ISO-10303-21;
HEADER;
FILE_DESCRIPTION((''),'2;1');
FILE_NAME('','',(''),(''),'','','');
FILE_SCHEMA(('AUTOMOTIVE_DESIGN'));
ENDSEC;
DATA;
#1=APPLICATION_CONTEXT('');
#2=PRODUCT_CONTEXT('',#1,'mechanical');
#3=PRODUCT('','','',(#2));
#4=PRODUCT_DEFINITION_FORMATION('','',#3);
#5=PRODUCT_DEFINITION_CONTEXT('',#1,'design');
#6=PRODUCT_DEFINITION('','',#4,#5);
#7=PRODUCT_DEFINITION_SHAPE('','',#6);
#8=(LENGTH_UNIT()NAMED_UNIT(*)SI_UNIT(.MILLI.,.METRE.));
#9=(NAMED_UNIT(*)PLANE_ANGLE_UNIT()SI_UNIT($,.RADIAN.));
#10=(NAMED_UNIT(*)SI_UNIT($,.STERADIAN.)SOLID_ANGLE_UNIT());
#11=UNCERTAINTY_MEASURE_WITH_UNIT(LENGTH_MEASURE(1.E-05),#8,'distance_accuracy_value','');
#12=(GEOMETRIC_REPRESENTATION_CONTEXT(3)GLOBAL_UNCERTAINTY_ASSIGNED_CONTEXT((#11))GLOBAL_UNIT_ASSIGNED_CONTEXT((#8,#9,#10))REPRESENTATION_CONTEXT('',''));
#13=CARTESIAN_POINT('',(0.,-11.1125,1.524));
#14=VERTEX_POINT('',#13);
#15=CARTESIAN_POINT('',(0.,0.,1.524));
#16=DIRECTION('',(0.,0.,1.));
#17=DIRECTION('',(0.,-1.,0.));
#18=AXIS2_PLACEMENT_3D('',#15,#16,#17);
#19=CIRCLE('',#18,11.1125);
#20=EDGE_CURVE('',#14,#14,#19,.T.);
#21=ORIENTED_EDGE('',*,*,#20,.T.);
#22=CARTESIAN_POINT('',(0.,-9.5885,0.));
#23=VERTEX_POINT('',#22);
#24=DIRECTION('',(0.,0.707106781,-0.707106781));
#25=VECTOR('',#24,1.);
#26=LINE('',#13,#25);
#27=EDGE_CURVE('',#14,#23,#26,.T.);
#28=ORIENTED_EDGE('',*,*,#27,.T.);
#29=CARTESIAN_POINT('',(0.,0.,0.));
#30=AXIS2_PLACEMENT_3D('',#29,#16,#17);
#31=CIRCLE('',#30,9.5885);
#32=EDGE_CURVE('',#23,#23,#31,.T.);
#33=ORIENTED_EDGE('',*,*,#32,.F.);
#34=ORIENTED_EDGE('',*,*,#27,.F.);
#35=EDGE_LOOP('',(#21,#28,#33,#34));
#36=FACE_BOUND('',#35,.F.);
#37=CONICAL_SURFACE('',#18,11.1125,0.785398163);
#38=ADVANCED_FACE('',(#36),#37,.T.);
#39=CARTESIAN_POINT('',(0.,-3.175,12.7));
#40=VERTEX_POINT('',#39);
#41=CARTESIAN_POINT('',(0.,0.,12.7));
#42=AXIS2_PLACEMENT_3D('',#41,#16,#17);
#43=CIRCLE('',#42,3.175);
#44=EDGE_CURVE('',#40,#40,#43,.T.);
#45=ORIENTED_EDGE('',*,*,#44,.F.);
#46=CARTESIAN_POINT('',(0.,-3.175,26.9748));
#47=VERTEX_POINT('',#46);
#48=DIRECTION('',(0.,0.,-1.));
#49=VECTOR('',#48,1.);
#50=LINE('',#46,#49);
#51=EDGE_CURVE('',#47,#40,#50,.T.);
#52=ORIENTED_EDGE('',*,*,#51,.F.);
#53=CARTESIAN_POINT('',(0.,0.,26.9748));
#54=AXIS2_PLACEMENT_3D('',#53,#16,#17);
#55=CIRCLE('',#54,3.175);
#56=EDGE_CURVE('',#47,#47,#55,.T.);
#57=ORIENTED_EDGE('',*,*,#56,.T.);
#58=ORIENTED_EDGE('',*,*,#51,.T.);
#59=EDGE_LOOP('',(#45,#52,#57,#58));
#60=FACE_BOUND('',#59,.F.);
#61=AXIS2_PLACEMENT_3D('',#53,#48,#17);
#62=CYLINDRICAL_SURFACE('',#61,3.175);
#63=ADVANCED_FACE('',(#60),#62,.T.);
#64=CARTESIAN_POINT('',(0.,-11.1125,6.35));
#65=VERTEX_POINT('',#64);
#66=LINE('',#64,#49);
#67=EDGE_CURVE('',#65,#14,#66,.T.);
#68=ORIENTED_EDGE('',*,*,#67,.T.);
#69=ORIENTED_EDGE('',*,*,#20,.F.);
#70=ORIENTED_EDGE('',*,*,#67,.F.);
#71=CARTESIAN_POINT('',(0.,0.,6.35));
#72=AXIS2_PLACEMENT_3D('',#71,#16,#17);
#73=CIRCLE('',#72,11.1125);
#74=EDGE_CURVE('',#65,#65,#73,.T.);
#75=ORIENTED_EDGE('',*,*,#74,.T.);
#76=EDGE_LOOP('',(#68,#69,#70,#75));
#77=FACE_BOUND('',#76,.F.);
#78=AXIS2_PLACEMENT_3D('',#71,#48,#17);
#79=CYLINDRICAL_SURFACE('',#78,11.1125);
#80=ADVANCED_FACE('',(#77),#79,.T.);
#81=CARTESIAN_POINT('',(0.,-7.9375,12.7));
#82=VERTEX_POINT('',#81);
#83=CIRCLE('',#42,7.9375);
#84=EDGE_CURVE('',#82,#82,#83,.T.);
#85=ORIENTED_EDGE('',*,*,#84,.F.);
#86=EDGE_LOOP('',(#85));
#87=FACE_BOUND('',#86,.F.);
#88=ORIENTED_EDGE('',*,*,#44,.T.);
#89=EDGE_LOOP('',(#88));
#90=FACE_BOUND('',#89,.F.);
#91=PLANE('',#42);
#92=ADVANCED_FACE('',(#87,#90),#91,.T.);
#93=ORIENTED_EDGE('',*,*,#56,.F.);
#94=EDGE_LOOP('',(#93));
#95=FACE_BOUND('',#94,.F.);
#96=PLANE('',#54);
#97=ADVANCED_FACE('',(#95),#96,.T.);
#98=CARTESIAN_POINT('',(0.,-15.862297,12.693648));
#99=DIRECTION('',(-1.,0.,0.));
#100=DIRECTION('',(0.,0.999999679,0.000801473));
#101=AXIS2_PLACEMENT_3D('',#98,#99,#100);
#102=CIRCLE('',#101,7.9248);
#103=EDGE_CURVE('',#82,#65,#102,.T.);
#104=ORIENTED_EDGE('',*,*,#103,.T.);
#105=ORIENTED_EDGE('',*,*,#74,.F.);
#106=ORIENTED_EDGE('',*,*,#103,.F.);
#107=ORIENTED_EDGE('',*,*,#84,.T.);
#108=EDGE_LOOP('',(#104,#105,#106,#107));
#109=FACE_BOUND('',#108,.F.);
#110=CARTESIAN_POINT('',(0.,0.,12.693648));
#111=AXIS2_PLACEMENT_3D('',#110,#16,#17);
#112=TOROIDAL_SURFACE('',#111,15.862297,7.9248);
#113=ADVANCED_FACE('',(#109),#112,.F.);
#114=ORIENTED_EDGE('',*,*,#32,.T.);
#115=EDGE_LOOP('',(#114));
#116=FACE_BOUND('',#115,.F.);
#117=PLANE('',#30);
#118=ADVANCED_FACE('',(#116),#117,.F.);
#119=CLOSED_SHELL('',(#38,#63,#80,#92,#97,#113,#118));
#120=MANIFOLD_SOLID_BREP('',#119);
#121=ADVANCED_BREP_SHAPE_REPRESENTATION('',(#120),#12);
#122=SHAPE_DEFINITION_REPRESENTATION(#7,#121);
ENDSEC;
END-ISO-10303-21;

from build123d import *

# Parameters (mm, degrees)
F2_SIZE2 = 1.524
F2_SIZE  = 1.524


with BuildPart() as f1:
    # F0 (on Right) → F1 (revolve)
    with BuildSketch(Plane.YZ):
        with BuildLine():
            Line((-11.1125, 6.35), (-11.1125, 0))
            Line((-11.1125, 0), (0, 0))
            Line((0, 0), (0, 26.9748))
            Line((0, 26.9748), (-3.175, 26.9748))
            Line((-3.175, 26.9748), (-3.175, 12.7))
            Line((-3.175, 12.7), (-7.9375, 12.7))
            ThreePointArc((-7.9375, 12.7), (-8.774141, 9.14957), (-11.1125, 6.35))
        make_face()
    revolve(axis=Axis((0, 0, 13.4874), (0, 0, 1)))

    # F2
    f2_edges = [f1.edges().sort_by_distance(p)[0] for p in [
        (0, 11.1125, 0),
    ]]
    chamfer(f2_edges, length=F2_SIZE, length2=F2_SIZE2)


solid = f1.part
